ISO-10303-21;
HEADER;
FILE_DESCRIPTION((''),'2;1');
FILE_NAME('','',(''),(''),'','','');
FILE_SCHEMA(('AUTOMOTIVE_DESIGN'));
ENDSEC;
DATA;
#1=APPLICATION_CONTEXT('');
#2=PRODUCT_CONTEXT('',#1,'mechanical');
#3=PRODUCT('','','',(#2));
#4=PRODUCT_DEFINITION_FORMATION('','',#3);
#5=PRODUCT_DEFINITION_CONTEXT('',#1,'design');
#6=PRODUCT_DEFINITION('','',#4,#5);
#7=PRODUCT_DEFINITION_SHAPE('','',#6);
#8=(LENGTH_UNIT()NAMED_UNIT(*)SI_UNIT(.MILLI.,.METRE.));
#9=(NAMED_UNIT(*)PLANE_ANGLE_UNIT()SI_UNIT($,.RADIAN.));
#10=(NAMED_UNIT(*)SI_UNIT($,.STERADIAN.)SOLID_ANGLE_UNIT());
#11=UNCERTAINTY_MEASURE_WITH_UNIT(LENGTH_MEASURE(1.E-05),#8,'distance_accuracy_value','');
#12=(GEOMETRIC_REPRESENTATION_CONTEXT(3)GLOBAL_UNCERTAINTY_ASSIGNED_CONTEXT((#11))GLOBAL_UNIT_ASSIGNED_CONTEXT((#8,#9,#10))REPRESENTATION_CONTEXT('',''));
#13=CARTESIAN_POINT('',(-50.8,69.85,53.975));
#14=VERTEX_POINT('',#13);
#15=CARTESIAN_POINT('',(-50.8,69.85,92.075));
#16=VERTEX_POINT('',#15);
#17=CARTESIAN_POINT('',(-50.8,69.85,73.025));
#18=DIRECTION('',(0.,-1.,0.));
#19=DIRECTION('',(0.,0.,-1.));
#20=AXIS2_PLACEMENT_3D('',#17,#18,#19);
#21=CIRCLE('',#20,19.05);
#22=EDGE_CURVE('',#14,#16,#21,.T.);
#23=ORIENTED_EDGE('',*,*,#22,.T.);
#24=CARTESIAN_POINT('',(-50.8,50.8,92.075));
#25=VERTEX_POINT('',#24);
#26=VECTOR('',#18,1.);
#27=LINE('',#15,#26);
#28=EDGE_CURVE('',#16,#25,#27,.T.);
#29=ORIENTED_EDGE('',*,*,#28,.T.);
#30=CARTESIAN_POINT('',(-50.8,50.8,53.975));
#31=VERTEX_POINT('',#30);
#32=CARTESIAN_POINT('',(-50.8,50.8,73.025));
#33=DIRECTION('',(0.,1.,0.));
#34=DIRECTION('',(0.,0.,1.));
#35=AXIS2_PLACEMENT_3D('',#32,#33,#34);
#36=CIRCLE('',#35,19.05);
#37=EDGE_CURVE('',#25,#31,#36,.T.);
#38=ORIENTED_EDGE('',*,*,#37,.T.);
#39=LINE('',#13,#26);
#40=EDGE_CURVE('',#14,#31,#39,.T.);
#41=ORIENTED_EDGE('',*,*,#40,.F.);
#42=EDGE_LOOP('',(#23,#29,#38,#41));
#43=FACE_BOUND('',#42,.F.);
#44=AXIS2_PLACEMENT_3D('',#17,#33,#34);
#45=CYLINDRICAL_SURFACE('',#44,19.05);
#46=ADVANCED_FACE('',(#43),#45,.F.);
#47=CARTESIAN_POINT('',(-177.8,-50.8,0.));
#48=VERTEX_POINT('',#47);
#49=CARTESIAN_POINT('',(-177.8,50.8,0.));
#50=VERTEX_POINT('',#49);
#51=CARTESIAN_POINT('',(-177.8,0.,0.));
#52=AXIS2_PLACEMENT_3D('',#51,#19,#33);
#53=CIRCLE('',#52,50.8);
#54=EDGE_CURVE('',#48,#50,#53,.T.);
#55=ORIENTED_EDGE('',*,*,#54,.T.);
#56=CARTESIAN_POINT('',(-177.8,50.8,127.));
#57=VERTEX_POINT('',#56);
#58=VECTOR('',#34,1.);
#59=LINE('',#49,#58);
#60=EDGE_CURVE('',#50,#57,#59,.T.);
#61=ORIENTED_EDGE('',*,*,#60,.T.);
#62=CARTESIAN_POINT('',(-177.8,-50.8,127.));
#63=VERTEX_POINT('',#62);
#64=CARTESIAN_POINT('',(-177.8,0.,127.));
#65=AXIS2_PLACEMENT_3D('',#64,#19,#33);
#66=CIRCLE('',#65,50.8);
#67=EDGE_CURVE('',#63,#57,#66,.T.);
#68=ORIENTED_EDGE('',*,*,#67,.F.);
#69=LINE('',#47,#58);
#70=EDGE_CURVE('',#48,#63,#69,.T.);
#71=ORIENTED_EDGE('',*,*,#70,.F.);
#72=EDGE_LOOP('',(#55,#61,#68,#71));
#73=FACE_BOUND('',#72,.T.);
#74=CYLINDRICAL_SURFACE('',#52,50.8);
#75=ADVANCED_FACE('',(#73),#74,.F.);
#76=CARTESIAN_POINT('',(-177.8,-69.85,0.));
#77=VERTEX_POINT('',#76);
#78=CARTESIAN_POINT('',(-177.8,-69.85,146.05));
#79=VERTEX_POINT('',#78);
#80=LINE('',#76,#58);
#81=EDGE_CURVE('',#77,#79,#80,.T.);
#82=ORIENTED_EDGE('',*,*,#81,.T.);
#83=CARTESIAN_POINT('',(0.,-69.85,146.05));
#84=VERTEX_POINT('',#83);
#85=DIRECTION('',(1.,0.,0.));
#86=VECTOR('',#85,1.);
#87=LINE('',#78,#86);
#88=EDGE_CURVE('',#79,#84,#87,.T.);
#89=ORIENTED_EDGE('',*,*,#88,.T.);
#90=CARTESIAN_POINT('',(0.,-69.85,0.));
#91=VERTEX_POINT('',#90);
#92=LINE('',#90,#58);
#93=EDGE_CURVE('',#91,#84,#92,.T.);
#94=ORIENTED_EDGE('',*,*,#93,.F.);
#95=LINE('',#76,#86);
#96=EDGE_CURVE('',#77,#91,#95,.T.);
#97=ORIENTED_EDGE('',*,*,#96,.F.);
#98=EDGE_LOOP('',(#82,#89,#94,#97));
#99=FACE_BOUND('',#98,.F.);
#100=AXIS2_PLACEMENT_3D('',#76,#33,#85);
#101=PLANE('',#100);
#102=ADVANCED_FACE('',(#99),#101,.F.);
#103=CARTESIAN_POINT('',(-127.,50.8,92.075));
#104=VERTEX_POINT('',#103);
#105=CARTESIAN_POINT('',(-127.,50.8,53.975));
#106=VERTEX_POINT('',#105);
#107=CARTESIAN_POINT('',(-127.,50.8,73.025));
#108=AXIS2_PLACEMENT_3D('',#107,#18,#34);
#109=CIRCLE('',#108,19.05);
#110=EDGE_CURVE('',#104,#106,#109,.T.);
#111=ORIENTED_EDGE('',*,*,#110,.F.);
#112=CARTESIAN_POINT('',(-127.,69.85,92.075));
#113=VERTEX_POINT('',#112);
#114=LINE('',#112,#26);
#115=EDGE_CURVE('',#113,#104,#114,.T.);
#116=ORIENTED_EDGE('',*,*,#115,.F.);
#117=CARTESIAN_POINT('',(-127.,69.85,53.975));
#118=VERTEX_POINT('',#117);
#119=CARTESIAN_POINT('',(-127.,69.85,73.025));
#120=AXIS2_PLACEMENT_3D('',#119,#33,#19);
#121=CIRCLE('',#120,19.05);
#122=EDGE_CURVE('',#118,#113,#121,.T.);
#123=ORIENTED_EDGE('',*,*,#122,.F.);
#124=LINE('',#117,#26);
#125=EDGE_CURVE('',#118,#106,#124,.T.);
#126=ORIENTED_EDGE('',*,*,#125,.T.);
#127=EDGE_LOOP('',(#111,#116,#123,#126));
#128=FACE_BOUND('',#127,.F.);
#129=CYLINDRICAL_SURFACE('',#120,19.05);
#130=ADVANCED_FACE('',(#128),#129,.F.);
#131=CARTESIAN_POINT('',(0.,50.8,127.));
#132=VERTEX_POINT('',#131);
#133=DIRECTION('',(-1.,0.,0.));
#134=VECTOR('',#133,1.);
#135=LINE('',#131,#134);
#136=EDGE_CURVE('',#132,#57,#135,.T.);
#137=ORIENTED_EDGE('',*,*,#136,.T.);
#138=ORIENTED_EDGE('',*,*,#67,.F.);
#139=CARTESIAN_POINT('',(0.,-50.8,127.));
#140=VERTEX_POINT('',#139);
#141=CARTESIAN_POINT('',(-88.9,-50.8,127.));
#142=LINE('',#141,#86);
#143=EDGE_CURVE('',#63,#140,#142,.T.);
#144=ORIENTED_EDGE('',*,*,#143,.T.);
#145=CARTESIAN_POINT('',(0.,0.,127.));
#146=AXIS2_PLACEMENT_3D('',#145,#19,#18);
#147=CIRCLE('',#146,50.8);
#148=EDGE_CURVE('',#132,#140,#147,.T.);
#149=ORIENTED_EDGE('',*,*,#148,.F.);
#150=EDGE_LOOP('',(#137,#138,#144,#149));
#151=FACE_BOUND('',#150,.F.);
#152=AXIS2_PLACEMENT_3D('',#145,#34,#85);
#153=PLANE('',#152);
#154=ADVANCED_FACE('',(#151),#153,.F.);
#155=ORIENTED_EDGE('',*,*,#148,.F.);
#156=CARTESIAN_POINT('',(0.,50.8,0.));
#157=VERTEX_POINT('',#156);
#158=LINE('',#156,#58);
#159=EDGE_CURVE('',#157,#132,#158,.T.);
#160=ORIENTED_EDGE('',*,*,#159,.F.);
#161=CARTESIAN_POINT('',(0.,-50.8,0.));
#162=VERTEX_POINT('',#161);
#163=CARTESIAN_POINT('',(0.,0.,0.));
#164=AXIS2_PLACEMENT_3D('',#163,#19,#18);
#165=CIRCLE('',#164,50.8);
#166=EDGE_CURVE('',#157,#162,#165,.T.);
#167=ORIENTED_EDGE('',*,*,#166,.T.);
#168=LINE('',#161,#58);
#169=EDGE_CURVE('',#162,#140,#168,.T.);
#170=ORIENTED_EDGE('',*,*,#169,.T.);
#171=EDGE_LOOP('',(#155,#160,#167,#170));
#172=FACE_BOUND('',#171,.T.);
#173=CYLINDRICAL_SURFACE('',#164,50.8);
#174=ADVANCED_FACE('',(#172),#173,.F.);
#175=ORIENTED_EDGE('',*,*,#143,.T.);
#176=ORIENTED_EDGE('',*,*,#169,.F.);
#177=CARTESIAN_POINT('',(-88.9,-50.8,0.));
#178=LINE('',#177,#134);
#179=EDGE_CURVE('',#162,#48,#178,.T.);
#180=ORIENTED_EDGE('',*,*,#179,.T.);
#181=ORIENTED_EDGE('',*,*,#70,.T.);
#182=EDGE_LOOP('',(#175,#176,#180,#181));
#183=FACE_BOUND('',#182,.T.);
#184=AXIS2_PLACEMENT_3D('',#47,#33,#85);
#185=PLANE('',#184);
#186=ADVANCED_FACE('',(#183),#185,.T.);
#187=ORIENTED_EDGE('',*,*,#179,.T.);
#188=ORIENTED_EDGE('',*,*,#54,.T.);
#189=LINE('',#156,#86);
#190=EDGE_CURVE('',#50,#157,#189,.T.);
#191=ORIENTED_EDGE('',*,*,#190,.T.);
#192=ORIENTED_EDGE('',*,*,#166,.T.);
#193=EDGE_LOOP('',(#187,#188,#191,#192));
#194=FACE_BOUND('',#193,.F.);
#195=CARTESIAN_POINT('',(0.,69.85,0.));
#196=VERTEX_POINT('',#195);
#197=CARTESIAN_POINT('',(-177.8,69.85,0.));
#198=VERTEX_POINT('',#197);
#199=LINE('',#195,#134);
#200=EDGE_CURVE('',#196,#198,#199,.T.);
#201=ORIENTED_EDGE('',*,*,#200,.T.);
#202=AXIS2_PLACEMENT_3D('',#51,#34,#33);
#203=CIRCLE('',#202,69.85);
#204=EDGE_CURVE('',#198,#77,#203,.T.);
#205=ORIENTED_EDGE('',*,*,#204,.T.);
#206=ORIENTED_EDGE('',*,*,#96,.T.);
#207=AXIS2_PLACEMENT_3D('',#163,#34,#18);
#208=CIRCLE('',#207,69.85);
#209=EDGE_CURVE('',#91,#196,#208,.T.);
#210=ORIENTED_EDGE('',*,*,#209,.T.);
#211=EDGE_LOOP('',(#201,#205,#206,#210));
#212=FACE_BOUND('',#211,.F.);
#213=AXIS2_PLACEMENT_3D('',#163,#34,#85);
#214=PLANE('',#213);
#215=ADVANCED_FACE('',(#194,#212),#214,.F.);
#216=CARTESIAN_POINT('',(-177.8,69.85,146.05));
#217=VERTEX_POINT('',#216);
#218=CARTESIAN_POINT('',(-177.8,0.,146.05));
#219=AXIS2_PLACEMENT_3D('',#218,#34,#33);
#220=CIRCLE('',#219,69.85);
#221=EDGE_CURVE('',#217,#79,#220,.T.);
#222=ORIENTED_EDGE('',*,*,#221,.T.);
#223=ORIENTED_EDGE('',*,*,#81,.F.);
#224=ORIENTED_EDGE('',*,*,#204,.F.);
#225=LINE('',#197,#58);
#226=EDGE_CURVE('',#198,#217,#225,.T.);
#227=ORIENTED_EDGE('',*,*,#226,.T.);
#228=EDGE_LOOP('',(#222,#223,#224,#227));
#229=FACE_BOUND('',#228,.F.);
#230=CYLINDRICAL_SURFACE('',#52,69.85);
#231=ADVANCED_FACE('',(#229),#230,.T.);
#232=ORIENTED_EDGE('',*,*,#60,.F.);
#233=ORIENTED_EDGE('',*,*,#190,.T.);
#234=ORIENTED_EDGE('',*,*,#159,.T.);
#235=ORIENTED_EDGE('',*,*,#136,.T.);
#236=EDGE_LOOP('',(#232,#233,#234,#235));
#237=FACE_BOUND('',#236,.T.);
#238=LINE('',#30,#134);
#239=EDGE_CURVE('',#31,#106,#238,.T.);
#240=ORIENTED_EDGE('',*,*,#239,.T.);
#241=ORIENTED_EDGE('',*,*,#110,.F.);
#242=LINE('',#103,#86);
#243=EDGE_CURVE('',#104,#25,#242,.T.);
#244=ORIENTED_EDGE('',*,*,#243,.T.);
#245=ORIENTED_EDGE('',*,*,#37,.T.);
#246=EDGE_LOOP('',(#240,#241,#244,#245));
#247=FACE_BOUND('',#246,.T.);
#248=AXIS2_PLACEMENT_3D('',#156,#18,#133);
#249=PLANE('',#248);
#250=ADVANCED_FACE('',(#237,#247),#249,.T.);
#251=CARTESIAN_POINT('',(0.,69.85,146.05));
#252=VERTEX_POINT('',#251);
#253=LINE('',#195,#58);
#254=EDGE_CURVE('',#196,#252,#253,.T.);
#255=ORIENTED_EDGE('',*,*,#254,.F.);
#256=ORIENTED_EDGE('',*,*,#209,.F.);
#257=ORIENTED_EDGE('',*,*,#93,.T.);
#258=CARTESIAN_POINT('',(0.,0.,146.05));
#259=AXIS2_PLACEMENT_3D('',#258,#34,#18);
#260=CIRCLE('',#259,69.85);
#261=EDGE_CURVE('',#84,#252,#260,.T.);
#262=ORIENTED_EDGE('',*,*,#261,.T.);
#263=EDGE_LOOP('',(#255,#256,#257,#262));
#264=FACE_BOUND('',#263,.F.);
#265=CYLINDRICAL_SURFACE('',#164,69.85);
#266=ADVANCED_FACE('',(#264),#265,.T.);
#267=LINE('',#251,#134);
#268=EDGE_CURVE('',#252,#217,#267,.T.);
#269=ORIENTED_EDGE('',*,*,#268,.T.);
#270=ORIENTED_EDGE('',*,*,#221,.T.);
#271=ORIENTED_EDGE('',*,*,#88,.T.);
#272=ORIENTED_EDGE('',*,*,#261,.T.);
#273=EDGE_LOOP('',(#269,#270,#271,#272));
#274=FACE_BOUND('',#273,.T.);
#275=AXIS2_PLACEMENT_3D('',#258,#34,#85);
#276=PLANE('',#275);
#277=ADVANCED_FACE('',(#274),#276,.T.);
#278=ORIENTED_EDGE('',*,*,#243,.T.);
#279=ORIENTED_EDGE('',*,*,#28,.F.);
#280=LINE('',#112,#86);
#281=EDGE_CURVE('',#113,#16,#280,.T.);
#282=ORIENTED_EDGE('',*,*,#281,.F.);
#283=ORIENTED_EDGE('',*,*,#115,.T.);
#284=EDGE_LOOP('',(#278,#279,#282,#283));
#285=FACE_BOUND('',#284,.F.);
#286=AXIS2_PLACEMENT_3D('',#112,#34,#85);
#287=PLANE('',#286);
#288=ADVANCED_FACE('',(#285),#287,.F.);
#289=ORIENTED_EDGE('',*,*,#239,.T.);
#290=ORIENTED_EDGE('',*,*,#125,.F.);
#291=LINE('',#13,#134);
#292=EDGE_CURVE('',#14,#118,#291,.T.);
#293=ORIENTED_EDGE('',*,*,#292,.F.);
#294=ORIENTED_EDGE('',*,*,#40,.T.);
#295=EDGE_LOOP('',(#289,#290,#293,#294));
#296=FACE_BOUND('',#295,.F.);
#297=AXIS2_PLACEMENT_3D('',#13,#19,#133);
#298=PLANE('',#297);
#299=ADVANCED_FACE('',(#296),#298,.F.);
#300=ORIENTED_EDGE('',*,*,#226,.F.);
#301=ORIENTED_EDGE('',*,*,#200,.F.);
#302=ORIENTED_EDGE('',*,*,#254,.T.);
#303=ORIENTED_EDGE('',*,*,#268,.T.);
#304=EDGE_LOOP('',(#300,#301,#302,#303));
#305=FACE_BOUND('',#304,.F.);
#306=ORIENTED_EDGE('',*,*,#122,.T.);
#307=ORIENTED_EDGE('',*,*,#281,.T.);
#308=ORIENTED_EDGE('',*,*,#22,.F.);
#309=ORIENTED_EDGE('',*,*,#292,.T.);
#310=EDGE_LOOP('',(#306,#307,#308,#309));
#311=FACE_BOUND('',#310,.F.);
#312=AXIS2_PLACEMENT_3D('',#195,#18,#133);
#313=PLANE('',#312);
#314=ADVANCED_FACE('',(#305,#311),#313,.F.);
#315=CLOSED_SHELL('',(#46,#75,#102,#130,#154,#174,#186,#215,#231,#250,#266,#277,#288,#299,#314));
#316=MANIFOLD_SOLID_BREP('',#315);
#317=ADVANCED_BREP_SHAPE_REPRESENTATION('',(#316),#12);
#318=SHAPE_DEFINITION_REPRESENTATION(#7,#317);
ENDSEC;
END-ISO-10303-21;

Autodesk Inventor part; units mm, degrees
ref_plane "YZ Plane" through (0, 0, 0) normal (1, 0, 0) x (0, 1, 0)
ref_plane "XZ Plane" through (0, 0, 0) normal (0, 1, 0) x (-1, 0, 0)
ref_plane "XY Plane" through (0, 0, 0) normal (0, 0, 1) x (1, 0, 0)
sketch "Sketch1" plane through (0, 0, 0) normal (0, 0, 1) x (1, 0, 0)
  line L0 (0, 0) -> (-177.8, 0) construction
  line L1 (0, 69.85) -> (-177.8, 69.85)
  line L2 (-177.8, -69.85) -> (0, -69.85)
  arc A0 (0, -69.85) -> (0, 69.85) centre (0, 0) ccw
  arc A1 (-177.8, 69.85) -> (-177.8, -69.85) centre (-177.8, 0) ccw
  point P0 (-88.9, 0)
  dimension "d0" = 177.8
  dimension "d1" = 139.7
extrude "Extrusion1" add sketch "Sketch1" along normal blind 146.05
shell "Shell1" thickness 19.05 removed faces 1 at (-59.2667, -23.2833, 0)
sketch "Sketch2" plane through (-177.8, 69.85, 0) normal (0, 1, 0) x (1, 0, 0)
  line L0 (177.8, 0) -> (0, 0) projected
  line L1 (0, 0) -> (0, -146.05) projected
  line L2 (177.8, -146.05) -> (0, -146.05) projected
  line L3 (177.8, 0) -> (177.8, -146.05) projected
  line L4 (0, 0) -> (0, -146.05) projected
  line L5 (0, -73.025) -> (177.8, -73.025)
  line L6 (177.8, 0) -> (177.8, -127) projected
  line L7 (177.8, 0) -> (177.8, -146.05) projected
  line L8 (127, -73.025) -> (50.8, -73.025) construction
  line L9 (127, -53.975) -> (50.8, -53.975)
  line L10 (50.8, -92.075) -> (127, -92.075)
  arc A0 (127, -92.075) -> (127, -53.975) centre (127, -73.025) ccw
  arc A1 (50.8, -53.975) -> (50.8, -92.075) centre (50.8, -73.025) ccw
  point P0 (88.9, -73.025)
  dimension "d10" = 38.1
  dimension "d11" = 38.1
extrude "Extrusion2" cut sketch "Sketch2" against normal up to surface (19.05 mm away) contours A0 L10 A1 L5 | L5 A1 L9 A0
properties part number "Concrete case" material "GFRC"
